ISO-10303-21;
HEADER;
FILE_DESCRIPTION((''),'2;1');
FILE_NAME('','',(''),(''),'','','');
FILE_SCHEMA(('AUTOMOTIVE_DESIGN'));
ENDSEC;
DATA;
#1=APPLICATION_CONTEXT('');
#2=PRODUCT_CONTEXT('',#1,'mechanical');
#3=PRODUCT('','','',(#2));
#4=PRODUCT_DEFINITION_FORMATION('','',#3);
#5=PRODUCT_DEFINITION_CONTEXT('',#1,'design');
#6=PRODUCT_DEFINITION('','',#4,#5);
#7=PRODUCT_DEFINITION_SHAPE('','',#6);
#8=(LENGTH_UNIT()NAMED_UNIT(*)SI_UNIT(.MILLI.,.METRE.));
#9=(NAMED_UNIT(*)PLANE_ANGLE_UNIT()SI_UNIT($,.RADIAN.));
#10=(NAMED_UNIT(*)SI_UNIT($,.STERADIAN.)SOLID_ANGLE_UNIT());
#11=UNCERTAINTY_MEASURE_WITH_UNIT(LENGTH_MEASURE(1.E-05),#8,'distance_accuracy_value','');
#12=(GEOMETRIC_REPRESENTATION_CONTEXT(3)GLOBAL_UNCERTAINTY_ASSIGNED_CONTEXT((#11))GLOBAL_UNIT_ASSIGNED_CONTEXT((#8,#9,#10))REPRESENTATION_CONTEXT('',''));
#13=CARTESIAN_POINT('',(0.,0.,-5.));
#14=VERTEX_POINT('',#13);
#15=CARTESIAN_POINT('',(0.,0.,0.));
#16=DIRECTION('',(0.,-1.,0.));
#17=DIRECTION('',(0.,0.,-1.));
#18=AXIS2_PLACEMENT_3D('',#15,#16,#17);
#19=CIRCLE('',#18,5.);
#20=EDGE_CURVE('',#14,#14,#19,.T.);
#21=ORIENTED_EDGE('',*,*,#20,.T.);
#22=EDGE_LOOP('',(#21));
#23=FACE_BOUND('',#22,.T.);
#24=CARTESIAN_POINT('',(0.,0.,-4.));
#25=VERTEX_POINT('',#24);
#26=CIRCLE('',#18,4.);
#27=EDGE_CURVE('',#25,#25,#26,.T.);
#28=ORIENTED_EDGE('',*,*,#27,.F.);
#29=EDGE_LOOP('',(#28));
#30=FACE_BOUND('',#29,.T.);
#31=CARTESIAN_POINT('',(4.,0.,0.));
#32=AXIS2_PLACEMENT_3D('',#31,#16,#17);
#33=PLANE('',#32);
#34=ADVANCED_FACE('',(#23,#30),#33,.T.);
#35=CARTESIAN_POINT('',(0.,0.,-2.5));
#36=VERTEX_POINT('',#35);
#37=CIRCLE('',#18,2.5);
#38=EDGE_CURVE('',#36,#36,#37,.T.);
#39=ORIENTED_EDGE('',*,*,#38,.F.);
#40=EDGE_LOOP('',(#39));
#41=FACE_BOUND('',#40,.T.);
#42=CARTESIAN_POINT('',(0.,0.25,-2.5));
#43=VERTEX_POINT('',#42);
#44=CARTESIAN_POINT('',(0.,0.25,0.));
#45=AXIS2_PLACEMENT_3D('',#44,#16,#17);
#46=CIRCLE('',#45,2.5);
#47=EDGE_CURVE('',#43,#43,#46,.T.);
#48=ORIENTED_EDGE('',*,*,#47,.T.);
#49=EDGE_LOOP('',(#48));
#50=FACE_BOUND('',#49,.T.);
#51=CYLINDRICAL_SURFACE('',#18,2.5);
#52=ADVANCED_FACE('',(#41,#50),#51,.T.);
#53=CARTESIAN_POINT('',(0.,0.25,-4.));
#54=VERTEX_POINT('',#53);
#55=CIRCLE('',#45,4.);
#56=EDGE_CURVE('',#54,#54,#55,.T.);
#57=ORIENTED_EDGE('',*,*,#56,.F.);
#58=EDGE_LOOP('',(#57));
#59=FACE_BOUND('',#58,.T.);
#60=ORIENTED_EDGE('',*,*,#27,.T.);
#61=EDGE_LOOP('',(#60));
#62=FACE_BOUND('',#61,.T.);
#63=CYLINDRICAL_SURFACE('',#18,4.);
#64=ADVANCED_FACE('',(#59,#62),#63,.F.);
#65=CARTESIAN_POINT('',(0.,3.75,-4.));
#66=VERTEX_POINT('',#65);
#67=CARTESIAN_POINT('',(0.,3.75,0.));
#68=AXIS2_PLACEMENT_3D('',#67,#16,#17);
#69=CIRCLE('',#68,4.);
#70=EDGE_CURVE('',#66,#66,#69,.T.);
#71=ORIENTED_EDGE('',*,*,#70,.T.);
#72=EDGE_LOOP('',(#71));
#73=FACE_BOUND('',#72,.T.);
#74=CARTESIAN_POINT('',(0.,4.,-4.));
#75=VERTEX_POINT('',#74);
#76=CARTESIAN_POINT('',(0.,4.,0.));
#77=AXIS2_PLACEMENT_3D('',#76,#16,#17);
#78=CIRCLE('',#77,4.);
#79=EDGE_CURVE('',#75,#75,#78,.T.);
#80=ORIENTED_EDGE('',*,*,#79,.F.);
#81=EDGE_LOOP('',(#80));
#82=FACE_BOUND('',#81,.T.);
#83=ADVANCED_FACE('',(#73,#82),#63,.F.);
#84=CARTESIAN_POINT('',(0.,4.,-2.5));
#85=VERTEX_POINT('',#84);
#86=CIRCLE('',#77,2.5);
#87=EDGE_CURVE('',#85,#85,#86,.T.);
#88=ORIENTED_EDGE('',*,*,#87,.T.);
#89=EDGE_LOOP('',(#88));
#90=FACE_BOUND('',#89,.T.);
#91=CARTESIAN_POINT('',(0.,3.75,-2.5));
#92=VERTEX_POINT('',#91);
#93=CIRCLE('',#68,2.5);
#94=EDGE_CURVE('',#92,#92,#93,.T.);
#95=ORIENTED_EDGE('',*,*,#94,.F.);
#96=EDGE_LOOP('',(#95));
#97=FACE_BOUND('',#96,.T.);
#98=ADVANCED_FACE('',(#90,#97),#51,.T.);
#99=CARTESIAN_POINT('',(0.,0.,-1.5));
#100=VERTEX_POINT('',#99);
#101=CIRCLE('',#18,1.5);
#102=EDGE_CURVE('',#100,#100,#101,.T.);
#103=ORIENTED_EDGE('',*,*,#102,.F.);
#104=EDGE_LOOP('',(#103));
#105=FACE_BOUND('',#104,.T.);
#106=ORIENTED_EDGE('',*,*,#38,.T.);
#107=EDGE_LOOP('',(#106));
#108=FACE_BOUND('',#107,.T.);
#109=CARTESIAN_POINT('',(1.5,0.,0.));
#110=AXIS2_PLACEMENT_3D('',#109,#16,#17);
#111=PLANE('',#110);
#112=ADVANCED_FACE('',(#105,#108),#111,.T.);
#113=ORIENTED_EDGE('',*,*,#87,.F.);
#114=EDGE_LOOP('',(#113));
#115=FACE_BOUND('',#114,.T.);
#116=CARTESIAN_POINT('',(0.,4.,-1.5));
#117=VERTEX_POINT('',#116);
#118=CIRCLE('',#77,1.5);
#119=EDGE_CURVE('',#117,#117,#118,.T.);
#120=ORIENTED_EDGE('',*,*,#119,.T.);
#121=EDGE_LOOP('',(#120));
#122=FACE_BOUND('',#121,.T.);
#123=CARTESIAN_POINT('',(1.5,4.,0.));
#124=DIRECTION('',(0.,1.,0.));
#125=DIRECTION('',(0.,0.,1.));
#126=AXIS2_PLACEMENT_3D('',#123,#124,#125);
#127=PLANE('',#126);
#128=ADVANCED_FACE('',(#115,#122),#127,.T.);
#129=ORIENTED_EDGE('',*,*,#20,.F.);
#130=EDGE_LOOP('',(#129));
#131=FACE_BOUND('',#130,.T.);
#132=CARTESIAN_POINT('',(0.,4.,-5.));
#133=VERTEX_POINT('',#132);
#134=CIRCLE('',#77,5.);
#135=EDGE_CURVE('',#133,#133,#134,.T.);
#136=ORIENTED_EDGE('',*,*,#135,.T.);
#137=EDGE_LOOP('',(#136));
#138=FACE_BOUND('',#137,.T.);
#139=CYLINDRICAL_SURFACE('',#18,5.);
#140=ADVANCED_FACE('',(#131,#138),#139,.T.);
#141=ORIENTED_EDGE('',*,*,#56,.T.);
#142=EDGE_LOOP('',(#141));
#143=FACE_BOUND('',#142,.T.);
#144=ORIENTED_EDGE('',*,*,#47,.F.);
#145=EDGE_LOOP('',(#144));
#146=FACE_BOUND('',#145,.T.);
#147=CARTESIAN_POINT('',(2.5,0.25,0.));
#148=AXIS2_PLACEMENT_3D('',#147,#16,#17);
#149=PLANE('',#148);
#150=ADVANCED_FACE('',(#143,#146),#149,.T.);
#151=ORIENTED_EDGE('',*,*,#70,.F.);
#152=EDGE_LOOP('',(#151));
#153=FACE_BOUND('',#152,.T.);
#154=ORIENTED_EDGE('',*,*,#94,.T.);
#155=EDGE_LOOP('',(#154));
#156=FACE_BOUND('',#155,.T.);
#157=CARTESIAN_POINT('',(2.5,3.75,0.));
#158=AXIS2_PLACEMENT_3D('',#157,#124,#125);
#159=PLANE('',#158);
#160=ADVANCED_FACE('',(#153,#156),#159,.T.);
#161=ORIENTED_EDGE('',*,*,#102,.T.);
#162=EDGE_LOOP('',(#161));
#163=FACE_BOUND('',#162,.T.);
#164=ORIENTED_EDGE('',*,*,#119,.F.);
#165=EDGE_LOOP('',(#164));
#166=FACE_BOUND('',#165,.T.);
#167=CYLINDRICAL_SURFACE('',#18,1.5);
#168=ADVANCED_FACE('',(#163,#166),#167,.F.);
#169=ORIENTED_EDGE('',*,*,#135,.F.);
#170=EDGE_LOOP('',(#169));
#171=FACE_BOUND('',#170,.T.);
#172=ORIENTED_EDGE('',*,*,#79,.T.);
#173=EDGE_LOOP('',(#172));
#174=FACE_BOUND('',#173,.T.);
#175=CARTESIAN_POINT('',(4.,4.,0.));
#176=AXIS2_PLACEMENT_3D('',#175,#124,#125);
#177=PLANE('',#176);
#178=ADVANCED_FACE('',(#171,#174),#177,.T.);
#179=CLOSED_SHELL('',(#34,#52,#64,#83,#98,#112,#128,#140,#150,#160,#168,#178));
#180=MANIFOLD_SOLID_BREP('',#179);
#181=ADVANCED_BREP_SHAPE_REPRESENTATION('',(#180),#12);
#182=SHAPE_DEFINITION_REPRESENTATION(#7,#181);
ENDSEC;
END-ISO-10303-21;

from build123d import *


with BuildPart() as part:
    # Sketch1 → Revolve1 (revolve)
    with BuildSketch(Plane.XY, mode=Mode.PRIVATE) as revolve1_sk:
        Polygon((1.5, 4), (1.5, 0), (2.5, 0), (2.5, 0.25), (4, 0.25), (4, 0), (5, 0), (5, 4), (4, 4), (4, 3.75), (2.5, 3.75), (2.5, 4), align=None)
    revolve(revolve1_sk.sketch.rotate(Axis((0, 0, 0), (0, 1, 0)), 90), axis=Axis((0, 0, 0), (0, 1, 0)))


solid = part.part
